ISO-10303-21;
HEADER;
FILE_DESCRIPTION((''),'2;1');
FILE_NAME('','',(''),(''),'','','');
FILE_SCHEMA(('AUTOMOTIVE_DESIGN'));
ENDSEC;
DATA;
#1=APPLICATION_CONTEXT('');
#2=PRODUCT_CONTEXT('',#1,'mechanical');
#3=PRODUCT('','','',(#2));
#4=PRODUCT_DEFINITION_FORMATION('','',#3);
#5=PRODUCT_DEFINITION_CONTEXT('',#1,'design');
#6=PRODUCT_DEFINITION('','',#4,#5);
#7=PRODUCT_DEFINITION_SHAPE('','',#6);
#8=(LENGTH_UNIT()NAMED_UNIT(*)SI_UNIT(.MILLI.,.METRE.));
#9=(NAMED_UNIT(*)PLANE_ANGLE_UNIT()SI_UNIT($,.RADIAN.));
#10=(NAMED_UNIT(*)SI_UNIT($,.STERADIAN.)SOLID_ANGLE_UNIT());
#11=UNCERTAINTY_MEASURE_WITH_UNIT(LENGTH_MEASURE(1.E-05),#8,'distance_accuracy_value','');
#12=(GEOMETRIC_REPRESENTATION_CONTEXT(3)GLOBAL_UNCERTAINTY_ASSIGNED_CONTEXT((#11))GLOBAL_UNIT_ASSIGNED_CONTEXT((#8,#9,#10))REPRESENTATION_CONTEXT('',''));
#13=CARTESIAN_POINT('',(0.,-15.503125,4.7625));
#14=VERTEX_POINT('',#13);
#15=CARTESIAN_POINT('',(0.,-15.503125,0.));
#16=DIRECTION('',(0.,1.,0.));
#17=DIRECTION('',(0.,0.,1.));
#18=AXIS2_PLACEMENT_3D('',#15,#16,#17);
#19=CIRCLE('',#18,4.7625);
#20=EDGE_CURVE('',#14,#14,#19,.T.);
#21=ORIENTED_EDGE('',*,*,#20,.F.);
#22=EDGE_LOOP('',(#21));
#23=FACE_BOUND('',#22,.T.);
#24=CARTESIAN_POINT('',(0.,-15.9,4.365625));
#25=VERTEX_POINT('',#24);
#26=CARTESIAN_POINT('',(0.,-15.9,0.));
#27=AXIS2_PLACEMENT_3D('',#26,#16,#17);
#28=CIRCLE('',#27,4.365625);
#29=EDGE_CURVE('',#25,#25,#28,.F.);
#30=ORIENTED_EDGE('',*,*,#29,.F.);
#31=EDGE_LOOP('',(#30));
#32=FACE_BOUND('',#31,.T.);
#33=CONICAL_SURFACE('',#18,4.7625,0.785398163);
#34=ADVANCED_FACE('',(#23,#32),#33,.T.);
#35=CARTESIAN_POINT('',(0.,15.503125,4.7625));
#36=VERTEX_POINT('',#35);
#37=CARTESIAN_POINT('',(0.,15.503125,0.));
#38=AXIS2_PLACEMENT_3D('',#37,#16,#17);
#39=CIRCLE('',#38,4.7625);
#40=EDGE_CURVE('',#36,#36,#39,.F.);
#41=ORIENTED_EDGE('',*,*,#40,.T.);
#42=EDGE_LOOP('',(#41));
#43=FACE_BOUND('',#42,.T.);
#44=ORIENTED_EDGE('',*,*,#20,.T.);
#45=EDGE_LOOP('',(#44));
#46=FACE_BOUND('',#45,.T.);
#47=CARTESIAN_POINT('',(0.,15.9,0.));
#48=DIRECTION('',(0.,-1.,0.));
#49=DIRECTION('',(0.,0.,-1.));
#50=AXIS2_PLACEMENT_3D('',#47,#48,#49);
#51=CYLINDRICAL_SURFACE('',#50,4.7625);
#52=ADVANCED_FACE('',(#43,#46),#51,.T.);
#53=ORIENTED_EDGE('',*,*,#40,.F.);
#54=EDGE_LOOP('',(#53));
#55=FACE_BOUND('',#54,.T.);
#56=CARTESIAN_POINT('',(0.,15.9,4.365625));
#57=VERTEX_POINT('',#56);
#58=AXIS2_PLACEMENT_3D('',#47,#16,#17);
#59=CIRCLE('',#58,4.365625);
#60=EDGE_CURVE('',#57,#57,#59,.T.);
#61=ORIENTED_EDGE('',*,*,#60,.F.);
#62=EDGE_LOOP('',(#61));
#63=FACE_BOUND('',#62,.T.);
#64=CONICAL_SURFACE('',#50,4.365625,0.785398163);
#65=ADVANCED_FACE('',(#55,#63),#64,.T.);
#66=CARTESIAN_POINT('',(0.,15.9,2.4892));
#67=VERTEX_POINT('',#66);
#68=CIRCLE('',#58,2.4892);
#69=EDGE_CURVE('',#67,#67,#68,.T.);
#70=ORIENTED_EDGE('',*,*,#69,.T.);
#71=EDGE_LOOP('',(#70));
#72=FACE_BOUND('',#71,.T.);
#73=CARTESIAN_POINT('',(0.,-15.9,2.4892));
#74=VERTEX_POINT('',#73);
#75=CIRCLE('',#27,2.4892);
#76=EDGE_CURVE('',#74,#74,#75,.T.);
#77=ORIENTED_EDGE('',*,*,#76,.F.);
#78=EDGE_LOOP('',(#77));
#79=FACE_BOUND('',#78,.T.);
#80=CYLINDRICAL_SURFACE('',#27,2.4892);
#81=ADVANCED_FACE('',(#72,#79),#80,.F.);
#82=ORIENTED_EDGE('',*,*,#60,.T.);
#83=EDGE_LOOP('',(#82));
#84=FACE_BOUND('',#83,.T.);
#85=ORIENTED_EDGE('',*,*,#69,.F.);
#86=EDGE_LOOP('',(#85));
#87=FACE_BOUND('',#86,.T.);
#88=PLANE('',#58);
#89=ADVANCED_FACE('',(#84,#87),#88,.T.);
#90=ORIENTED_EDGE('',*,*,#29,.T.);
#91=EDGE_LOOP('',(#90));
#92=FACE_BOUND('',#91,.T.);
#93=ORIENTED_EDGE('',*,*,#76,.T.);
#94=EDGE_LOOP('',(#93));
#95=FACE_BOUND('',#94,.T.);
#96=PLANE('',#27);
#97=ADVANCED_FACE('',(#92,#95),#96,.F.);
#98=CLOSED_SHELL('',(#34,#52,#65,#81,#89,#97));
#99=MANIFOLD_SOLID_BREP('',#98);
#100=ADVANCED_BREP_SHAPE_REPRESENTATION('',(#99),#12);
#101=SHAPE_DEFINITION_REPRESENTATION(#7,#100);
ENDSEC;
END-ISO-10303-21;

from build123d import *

# Parameters (mm, degrees)
CROQUIS2_R                = 4.7625
SALIENTE_EXTRUIR1_DEPTH   = 15.89999995
CHAFL_N1_SIZE             = 0.396875
CLEARANCE_HOLE_DEPTH      = 18.26768111
CLEARANCE_HOLE_DEPTH_BACK = 18.26768111
CROQUIS4_R                = 2.4892


with BuildPart() as part:
    # Croquis2 → Saliente-Extruir1 (new, symmetric)
    with BuildSketch(Plane(origin=(0, 0, 0), x_dir=(1, 0, 0), z_dir=(0, 1, 0))):
        Circle(CROQUIS2_R)
    extrude(amount=SALIENTE_EXTRUIR1_DEPTH, both=True)

    # Chaflán1
    chafl_n1_edges = [part.edges().sort_by_distance(p)[0] for p in [
        (-4.7625, -15.89999995, 0),
        (-4.7625, 15.89999995, 0),
    ]]
    chamfer(chafl_n1_edges, length=CHAFL_N1_SIZE)

    # Croquis4 → Clearance Hole (cut, two sides: drawn at the far end of the back side and taken through both)
    with BuildSketch(Plane(origin=(0, 0, 0), x_dir=(1, 0, 0), z_dir=(0, 1, 0)).offset(-CLEARANCE_HOLE_DEPTH_BACK)):
        Circle(CROQUIS4_R)
    extrude(amount=CLEARANCE_HOLE_DEPTH + CLEARANCE_HOLE_DEPTH_BACK, mode=Mode.SUBTRACT)


solid = part.part
